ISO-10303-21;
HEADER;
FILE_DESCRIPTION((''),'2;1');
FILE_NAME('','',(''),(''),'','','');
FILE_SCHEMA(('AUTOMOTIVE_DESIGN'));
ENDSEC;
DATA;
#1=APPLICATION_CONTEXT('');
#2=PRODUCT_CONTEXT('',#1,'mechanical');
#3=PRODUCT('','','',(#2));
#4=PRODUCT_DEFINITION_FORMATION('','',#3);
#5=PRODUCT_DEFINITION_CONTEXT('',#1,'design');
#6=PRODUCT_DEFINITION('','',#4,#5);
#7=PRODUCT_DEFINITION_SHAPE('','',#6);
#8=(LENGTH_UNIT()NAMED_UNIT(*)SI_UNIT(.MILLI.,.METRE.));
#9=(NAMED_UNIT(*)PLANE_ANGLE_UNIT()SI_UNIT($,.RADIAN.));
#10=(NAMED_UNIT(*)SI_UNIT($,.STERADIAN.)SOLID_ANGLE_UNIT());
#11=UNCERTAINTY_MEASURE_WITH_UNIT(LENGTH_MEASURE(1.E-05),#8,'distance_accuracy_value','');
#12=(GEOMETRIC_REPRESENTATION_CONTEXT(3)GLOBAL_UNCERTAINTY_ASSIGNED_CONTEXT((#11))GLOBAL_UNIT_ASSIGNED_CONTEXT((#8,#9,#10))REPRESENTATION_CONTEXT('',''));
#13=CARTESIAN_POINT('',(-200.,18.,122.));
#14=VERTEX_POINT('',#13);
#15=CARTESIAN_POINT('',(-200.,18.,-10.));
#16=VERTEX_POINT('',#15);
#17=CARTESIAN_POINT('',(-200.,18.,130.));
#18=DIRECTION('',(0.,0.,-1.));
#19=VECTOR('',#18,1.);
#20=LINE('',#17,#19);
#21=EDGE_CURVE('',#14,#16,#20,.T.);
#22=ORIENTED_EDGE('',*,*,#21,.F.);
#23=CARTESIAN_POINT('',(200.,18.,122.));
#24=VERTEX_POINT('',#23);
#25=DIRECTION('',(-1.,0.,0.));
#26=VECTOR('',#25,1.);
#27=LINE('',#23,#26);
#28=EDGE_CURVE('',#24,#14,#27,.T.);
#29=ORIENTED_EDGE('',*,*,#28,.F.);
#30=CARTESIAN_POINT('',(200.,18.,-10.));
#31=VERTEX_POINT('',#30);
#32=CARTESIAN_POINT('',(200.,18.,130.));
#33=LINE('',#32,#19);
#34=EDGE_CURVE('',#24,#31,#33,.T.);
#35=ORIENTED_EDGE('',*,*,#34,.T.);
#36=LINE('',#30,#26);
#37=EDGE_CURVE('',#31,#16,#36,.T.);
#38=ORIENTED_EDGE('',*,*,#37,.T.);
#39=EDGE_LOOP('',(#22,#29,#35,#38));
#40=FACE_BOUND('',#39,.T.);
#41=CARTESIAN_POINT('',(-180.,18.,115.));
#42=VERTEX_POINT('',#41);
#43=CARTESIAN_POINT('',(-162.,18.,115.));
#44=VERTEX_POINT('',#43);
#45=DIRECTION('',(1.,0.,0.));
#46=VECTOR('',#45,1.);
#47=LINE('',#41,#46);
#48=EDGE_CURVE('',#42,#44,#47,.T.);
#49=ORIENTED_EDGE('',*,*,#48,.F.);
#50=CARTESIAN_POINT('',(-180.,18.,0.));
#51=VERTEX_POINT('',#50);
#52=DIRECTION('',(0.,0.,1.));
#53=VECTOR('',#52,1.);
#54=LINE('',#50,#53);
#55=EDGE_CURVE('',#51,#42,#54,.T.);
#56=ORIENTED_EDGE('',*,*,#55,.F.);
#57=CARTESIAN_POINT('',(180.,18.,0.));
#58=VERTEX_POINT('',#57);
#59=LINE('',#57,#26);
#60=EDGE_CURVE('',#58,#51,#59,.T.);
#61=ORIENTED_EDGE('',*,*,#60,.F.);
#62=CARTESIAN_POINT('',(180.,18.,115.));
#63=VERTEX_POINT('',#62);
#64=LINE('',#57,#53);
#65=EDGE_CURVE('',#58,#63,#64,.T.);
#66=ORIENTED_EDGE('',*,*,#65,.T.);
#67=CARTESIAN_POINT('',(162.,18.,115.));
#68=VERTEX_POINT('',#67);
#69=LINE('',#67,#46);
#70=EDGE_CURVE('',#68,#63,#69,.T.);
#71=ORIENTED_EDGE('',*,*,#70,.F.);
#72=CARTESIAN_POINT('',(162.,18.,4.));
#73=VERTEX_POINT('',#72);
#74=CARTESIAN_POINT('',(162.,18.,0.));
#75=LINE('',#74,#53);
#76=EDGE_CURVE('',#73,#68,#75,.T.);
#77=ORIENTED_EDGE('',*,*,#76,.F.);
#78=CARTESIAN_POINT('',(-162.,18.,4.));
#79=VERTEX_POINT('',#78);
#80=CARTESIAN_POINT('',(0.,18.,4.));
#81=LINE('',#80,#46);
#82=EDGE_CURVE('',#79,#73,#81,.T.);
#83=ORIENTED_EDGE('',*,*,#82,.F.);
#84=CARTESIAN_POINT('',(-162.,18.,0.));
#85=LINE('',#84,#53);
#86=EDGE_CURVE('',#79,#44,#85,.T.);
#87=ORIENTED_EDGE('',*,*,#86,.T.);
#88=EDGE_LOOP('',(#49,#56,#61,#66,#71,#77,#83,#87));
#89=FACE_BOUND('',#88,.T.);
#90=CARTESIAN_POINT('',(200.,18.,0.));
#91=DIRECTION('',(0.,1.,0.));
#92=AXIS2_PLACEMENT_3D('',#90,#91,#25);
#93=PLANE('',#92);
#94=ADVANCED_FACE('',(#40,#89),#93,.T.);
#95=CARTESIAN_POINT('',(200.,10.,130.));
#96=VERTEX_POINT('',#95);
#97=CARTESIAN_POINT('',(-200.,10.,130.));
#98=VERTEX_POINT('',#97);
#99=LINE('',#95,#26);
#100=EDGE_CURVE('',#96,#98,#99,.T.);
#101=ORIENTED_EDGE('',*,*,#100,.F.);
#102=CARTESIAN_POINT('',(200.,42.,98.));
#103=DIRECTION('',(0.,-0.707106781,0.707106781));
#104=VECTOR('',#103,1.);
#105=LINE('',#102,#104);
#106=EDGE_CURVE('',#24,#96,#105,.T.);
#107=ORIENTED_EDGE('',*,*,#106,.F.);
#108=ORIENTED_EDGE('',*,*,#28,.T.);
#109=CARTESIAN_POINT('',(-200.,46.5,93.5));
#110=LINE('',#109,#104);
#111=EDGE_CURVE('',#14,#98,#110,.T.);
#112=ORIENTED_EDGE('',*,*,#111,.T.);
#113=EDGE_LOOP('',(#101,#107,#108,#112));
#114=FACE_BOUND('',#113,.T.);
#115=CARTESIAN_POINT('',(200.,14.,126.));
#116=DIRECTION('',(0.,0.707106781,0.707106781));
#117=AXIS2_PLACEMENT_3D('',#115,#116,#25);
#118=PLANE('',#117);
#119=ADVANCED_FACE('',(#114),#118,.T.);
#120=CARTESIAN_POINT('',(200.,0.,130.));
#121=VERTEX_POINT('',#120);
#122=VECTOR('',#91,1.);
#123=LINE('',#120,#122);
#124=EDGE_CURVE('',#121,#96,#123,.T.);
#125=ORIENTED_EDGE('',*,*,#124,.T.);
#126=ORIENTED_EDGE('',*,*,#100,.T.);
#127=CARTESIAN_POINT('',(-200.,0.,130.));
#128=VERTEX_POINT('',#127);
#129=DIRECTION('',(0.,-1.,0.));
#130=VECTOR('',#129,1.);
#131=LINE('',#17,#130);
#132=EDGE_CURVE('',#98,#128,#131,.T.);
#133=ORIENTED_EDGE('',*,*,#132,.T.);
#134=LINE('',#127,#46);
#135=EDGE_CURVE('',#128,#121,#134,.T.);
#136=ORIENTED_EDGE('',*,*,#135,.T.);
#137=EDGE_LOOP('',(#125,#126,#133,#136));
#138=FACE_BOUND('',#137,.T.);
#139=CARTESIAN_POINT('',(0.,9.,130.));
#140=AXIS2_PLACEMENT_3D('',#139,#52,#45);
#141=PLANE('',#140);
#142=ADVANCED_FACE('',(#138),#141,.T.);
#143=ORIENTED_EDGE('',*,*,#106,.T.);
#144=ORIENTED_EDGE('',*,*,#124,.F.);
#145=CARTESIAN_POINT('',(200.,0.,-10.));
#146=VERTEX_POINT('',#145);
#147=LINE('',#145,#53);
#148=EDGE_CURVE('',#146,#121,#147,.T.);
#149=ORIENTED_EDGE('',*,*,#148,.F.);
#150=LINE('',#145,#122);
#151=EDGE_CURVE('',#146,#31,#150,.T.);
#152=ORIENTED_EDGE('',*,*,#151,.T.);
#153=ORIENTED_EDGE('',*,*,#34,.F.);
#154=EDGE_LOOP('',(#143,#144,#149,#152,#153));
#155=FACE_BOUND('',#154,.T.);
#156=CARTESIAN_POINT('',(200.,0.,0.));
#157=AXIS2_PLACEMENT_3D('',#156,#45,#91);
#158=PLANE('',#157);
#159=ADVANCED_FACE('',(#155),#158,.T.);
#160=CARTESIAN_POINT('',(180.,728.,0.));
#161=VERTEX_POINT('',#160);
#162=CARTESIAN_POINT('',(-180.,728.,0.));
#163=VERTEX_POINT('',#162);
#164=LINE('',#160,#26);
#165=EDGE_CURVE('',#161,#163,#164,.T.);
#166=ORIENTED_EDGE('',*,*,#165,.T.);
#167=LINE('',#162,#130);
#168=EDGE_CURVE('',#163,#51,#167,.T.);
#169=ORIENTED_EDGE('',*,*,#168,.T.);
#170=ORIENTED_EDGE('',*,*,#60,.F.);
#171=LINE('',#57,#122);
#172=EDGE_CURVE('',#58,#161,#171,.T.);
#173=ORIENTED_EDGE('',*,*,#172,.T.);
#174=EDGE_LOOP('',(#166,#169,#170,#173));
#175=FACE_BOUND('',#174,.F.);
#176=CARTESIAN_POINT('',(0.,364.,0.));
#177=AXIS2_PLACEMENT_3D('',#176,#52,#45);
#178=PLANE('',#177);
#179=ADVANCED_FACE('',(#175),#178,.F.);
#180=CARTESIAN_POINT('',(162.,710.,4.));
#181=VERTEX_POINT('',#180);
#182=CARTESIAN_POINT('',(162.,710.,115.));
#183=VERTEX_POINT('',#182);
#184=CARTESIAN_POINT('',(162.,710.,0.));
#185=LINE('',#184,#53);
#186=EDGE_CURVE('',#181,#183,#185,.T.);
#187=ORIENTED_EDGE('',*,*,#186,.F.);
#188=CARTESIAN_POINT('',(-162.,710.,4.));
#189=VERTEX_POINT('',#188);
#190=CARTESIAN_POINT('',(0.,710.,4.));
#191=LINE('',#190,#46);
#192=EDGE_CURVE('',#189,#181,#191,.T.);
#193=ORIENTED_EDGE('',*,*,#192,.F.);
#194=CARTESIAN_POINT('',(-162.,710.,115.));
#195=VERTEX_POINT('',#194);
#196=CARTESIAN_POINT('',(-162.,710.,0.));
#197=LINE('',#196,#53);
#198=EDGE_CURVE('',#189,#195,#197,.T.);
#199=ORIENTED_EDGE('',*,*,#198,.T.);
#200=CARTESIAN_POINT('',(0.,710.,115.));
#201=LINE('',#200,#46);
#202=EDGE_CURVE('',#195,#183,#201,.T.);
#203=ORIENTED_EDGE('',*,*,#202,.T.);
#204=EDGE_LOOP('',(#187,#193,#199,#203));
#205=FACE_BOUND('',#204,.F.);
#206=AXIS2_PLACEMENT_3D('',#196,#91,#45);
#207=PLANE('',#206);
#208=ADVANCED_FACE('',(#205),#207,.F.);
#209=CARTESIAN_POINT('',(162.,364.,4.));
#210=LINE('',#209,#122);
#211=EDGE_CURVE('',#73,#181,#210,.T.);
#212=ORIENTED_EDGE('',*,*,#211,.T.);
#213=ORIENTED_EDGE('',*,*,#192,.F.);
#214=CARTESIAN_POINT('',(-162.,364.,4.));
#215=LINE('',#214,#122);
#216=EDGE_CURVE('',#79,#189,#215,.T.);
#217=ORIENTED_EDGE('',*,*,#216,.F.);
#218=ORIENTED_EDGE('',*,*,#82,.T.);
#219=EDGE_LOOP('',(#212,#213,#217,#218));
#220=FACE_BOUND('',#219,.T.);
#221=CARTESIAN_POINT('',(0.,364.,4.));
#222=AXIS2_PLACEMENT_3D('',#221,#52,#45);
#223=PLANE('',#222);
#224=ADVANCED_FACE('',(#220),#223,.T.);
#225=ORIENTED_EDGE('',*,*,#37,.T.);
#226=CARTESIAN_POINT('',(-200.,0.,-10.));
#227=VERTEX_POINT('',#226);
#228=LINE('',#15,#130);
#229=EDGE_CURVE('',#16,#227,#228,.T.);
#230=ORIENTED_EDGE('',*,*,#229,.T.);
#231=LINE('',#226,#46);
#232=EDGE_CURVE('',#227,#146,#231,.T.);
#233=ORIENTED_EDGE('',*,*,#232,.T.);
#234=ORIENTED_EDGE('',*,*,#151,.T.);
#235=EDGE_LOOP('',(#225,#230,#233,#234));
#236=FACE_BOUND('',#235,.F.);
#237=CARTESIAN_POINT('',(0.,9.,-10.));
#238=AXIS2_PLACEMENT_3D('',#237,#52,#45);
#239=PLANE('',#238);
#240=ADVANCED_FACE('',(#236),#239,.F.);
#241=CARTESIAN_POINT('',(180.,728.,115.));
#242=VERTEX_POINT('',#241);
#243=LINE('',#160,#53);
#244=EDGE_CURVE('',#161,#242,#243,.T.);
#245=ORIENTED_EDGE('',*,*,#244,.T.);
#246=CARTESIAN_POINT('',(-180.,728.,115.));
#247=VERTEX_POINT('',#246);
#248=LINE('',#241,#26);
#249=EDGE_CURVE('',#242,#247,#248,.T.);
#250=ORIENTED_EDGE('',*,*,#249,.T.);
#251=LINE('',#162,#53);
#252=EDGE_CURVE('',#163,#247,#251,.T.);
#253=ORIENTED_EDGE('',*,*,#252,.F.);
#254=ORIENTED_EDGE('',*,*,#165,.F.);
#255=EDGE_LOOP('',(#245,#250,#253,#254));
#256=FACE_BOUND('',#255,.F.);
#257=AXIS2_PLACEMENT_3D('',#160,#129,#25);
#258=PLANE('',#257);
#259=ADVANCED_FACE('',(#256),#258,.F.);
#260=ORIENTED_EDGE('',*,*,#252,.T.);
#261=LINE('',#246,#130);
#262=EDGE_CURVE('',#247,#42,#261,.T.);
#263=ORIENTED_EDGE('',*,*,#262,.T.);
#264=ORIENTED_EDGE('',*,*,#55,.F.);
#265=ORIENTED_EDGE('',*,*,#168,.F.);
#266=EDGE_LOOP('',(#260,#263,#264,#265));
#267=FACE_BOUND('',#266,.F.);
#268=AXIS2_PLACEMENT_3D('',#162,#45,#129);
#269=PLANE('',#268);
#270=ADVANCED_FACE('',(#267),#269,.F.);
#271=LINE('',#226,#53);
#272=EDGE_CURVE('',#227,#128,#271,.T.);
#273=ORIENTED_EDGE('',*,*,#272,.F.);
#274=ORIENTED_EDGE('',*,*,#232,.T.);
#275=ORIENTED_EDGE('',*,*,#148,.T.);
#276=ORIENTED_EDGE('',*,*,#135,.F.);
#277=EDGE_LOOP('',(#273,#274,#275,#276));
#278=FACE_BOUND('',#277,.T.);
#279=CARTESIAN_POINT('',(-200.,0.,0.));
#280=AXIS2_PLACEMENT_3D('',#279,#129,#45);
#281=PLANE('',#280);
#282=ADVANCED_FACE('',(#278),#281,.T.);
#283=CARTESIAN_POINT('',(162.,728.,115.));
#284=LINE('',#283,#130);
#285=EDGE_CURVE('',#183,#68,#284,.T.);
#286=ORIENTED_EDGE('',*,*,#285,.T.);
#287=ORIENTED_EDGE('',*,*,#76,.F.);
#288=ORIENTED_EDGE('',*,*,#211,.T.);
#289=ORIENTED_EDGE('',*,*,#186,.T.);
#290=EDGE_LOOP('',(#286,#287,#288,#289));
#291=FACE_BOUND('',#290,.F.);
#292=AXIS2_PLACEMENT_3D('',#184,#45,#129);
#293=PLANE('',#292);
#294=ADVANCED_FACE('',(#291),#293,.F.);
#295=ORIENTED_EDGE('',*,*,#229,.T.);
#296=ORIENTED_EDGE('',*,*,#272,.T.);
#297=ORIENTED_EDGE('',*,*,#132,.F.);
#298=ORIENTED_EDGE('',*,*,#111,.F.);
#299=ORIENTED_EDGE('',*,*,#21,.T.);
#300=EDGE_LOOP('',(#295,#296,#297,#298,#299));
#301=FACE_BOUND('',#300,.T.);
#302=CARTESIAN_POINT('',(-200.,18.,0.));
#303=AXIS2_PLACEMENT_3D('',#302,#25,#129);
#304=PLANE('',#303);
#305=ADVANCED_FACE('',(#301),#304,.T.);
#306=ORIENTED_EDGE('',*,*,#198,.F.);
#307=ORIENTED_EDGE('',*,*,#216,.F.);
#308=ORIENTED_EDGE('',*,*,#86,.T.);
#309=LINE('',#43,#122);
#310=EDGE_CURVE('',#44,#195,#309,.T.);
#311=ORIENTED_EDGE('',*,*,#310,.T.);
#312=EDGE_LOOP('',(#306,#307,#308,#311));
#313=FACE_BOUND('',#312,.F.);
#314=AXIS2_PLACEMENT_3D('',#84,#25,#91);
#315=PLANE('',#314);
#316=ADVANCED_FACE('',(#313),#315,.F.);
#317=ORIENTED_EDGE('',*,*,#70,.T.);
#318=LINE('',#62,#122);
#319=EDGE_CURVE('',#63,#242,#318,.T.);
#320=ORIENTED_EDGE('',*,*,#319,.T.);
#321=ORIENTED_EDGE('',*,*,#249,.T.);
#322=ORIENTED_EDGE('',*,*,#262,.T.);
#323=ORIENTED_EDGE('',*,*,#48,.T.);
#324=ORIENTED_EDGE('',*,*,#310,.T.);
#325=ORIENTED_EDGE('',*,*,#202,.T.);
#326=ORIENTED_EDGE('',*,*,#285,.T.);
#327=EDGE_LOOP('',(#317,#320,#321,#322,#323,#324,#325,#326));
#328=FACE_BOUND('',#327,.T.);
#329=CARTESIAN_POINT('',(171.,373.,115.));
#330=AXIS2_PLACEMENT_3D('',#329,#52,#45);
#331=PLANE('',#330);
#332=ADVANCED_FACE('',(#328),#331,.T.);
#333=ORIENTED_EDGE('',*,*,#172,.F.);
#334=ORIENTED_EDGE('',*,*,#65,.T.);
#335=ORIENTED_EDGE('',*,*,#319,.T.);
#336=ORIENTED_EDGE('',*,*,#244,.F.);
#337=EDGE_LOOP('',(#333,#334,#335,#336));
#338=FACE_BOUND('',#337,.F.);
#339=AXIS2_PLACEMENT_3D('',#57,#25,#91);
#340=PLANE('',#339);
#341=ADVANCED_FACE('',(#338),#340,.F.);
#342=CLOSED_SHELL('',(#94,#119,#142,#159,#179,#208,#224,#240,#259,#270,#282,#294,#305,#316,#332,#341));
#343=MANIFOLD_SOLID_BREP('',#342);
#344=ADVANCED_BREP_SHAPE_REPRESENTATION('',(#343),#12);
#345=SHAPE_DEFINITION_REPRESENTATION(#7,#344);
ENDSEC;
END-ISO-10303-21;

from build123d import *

# Parameters (mm, degrees)
F0_W          = 324
F0_H          = 18
F1_DEPTH      = 115
F2_DEPTH      = 130
F2_DEPTH_BACK = 10
F3_SIZE       = 8
F0_H_2        = 692
F4_DEPTH      = 4


with BuildPart() as f1:
    # F0 (on Top) → F1 (new body)
    with BuildSketch(Plane.XY):
        Polygon((162, 710), (162, 18), (180, 18), (180, 728), (162, 728), align=None)
        with Locations((0, 719)):
            Rectangle(F0_W, F0_H)
        Polygon((-180, 728), (-180, 18), (-162, 18), (-162, 710), (-162, 728), align=None)
    extrude(amount=F1_DEPTH)

    # F0 (on Top) → F2 (join, two sides)
    with BuildSketch(Plane.XY) as f2_sk:
        Polygon((-162, 18), (-180, 18), (-200, 18), (-200, 0), (200, 0), (200, 18), (180, 18), (162, 18), align=None)
    extrude(amount=F2_DEPTH)
    extrude(f2_sk.sketch, amount=-F2_DEPTH_BACK)

    # F3
    f3_edges = [f1.edges().sort_by_distance(p)[0] for p in [
        (0, 18, 130),
    ]]
    chamfer(f3_edges, length=F3_SIZE)

    # F0 (on Top) → F4 (join)
    with BuildSketch(Plane.XY):
        with Locations((0, 364)):
            Rectangle(F0_W, F0_H_2)
    extrude(amount=F4_DEPTH)


solid = f1.part
